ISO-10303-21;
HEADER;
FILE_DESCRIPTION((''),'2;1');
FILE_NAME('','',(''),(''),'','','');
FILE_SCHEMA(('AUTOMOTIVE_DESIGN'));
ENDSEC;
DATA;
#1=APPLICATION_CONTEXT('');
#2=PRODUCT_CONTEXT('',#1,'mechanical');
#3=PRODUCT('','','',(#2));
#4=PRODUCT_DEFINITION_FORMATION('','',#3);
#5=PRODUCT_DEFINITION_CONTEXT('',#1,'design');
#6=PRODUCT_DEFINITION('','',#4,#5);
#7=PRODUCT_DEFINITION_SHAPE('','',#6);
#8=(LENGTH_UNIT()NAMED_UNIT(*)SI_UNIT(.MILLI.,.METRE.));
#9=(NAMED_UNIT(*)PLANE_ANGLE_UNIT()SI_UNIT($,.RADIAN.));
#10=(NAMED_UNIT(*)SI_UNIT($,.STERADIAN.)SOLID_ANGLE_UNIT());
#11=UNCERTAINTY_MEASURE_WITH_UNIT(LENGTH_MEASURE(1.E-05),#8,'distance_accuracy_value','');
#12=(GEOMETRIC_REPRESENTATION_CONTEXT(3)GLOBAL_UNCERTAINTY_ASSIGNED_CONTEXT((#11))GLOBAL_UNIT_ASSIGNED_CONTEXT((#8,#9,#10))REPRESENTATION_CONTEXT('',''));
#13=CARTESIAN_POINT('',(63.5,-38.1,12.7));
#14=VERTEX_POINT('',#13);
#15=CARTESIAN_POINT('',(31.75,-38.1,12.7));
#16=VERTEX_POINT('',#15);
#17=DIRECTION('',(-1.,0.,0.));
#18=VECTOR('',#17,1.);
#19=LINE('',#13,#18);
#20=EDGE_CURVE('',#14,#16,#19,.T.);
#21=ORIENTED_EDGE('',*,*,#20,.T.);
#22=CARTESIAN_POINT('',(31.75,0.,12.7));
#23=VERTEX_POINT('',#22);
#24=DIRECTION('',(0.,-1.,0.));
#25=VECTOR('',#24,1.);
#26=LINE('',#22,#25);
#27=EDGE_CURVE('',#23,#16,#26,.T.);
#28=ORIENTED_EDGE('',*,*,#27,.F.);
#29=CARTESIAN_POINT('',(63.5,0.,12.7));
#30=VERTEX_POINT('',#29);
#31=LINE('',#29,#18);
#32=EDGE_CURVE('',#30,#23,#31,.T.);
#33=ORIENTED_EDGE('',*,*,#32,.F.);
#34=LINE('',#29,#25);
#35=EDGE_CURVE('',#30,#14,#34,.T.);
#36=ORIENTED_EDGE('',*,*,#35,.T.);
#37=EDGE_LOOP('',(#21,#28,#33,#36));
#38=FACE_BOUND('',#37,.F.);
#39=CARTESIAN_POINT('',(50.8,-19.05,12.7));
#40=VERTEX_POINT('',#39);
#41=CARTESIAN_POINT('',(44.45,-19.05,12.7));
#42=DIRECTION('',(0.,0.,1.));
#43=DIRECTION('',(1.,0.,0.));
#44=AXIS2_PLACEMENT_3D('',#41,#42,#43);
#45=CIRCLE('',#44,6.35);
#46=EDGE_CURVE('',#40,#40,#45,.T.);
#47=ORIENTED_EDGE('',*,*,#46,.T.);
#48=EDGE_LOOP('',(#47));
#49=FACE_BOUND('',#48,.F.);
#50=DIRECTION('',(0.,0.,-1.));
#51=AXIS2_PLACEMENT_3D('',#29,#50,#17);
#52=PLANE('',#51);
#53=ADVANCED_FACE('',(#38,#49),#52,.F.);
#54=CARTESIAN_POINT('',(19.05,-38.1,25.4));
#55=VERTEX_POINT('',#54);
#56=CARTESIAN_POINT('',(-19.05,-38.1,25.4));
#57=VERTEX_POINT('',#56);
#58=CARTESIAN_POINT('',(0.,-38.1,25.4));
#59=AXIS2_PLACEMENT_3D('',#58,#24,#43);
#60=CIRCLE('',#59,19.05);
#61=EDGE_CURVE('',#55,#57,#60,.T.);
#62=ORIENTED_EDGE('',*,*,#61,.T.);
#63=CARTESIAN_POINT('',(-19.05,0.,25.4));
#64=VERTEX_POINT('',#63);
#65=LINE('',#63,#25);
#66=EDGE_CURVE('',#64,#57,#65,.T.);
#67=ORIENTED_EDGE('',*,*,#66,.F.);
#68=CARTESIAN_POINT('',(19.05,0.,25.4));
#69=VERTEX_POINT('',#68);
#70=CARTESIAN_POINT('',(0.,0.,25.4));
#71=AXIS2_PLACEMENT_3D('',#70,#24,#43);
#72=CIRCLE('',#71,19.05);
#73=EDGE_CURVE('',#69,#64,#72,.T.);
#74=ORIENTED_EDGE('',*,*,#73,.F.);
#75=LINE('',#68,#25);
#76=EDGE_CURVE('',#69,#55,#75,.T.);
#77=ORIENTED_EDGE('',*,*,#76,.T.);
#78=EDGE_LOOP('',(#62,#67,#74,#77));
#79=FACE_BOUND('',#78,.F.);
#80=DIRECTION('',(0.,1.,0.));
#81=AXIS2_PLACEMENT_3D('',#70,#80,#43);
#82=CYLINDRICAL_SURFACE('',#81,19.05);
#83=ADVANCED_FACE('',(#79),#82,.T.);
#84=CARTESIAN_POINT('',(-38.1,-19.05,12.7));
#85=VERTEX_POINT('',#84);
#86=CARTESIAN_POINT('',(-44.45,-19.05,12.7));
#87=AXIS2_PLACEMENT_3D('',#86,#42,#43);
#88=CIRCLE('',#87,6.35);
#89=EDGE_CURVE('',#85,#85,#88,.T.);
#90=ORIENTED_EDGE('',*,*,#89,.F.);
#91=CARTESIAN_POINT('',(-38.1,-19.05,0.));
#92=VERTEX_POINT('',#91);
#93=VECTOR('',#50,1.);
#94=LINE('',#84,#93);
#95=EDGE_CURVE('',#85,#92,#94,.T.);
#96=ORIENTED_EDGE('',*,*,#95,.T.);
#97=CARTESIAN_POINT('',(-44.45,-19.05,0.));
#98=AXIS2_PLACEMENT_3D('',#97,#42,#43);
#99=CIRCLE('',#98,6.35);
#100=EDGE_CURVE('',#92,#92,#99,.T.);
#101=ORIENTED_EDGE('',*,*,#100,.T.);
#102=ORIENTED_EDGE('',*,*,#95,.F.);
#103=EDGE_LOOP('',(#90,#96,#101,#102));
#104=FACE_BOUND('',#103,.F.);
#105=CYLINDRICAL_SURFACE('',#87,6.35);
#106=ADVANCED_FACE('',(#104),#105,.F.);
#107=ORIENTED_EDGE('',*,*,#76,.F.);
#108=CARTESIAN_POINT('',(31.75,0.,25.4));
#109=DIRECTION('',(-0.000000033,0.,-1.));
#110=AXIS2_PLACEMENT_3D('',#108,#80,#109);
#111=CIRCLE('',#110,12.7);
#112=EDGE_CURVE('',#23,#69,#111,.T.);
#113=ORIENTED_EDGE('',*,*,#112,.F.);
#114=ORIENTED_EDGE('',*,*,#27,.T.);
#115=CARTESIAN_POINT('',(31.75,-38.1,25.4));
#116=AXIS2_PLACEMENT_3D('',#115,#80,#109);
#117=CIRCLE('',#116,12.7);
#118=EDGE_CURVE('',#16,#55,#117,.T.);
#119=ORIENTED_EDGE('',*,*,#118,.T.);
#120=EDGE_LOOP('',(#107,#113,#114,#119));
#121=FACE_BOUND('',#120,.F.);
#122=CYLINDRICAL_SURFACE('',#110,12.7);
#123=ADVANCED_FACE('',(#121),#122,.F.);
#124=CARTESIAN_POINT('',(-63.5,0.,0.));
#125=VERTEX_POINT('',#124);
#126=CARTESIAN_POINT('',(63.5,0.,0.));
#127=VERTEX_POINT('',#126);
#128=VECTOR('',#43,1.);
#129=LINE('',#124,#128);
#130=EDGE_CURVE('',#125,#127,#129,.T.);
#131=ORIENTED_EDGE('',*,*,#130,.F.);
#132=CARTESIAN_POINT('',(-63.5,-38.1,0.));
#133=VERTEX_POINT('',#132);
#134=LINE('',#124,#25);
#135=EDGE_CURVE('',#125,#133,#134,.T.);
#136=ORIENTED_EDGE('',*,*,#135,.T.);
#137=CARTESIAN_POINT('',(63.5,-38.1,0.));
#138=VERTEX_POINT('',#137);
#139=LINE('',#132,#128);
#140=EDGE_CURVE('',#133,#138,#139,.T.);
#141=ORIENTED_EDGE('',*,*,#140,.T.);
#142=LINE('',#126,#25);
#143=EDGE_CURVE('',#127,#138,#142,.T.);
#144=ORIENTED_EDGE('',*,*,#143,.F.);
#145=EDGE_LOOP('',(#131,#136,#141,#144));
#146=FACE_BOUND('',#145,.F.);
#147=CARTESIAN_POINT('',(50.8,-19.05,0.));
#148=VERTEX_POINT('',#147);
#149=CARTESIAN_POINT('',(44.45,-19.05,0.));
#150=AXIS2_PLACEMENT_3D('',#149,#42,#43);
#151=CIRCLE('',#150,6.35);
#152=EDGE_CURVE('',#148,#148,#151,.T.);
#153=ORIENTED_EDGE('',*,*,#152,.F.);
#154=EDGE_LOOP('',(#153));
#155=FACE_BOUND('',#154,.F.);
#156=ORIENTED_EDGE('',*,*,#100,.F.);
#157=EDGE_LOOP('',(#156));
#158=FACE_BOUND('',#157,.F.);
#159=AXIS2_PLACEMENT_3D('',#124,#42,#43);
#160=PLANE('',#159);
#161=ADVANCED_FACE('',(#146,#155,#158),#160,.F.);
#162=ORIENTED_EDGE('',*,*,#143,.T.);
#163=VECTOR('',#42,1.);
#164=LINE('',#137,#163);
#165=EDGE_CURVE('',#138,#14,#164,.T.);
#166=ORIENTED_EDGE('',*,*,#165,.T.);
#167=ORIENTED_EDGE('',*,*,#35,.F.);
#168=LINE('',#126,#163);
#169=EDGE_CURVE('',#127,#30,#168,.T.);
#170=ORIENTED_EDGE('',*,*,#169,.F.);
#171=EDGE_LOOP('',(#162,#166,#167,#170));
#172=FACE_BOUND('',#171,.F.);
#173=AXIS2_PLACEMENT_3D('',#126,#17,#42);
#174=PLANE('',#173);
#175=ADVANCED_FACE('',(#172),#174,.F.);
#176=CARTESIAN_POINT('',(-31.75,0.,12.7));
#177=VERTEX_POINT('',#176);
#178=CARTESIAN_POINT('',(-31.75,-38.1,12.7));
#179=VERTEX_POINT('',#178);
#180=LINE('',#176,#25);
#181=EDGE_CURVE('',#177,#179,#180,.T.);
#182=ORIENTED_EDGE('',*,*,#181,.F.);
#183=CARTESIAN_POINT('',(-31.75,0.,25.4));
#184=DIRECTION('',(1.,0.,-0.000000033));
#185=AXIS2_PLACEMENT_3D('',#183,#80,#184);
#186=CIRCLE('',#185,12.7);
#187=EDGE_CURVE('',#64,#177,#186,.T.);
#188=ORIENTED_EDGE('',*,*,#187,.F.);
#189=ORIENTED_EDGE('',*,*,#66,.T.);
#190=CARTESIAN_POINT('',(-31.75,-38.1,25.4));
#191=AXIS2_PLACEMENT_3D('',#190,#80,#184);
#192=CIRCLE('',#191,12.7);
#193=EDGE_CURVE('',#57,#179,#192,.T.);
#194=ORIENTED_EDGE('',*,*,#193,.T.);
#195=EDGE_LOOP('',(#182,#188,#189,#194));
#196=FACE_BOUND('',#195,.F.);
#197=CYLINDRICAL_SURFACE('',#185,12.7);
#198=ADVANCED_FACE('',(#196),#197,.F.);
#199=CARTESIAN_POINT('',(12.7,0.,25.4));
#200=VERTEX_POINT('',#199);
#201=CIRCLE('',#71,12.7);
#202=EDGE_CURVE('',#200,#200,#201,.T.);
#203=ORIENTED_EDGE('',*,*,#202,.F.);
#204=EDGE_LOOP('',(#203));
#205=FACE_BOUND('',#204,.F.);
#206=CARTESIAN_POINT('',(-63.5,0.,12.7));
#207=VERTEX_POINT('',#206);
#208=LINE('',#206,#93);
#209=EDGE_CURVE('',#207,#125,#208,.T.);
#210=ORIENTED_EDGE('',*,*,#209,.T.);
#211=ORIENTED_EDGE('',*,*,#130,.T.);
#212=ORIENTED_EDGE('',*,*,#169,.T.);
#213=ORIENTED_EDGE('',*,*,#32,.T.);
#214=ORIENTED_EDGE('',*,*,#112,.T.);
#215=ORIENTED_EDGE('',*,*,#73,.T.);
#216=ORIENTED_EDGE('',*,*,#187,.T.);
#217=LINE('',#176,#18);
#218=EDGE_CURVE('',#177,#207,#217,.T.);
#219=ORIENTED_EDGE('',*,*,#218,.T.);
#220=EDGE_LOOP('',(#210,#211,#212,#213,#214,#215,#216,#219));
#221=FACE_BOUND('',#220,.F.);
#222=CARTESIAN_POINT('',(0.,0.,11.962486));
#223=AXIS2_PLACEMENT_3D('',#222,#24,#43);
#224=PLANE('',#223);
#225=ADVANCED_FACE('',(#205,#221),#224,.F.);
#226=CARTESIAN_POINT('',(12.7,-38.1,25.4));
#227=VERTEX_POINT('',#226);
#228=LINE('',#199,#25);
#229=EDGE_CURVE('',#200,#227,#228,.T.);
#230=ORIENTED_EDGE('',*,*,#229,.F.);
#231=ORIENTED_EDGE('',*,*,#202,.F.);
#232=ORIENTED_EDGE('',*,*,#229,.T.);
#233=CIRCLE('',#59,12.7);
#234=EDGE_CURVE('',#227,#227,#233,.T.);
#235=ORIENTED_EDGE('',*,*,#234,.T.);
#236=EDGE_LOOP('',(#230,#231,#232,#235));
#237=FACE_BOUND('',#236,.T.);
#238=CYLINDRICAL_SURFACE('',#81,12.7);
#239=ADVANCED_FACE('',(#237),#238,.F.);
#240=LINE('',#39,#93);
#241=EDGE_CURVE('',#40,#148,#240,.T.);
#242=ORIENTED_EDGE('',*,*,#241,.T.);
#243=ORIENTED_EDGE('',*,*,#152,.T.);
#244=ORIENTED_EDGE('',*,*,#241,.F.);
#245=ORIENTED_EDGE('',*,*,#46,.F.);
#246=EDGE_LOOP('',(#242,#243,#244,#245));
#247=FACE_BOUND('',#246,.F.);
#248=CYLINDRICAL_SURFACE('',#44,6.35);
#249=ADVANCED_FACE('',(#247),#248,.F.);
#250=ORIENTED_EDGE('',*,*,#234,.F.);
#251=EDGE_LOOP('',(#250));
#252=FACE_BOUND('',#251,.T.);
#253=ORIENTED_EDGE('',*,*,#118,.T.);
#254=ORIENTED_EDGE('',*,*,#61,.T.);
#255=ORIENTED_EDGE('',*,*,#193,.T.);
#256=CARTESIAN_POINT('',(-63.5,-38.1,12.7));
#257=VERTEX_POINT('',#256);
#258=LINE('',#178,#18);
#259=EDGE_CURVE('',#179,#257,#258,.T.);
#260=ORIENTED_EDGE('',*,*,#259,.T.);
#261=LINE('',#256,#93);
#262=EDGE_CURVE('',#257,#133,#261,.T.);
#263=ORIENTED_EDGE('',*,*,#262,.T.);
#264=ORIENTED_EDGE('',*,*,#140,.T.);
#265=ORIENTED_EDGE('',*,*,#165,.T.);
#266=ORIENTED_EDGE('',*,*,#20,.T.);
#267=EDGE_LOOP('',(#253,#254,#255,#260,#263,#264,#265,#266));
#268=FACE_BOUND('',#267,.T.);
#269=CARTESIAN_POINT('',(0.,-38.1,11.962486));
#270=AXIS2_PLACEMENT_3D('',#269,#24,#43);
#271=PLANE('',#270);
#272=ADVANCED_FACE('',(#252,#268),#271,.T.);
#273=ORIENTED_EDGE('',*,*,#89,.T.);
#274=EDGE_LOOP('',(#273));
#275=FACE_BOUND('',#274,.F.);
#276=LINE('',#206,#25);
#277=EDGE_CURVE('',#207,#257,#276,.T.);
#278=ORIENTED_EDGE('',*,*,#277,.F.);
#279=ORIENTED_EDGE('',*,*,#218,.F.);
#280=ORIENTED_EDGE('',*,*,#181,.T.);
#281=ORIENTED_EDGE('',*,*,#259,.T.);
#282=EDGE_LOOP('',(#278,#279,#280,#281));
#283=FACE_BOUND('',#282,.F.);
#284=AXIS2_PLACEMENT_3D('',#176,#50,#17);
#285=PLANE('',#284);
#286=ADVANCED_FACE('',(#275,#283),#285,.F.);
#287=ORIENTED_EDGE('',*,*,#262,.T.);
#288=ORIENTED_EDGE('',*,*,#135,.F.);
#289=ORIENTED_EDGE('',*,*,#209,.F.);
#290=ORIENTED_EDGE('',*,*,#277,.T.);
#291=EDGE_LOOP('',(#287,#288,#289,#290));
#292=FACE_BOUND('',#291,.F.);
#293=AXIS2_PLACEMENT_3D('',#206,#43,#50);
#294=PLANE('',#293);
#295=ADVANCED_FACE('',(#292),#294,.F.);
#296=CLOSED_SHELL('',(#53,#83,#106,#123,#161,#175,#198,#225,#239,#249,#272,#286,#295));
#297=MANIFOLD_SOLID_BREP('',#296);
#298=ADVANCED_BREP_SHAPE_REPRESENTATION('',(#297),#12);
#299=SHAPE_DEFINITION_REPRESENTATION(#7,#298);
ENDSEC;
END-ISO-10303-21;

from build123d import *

# Parameters (mm, degrees)
F0_R     = 12.7
F1_DEPTH = 38.1
F2_R     = 6.35
F3_DEPTH = 25.4
F4_R     = 6.35
F5_DEPTH = 25.4


with BuildPart() as f1:
    # F0 (on Front) → F1 (new body)
    with BuildSketch(Plane.XZ):
        with BuildLine():
            Line((-63.5, 0), (0, 0))
            Line((0, 0), (63.5, 0))
            Line((63.5, 0), (63.5, 12.7))
            Line((63.5, 12.7), (31.75, 12.7))
            ThreePointArc((31.75, 12.7), (22.769744, 16.419744), (19.05, 25.4))
            ThreePointArc((19.05, 25.4), (0, 44.45), (-19.05, 25.4))
            ThreePointArc((-19.05, 25.4), (-22.769744, 16.419744), (-31.75, 12.7))
            Line((-31.75, 12.7), (-63.5, 12.7))
            Line((-63.5, 12.7), (-63.5, 0))
        make_face()
        with Locations((0, 25.4)):
            Circle(F0_R, mode=Mode.SUBTRACT)
    extrude(amount=F1_DEPTH)

    # F2 (on face) → F3 (cut)
    with BuildSketch(Plane.XY.offset(12.7)):
        with Locations((44.45, -19.05)):
            Circle(F2_R)
    extrude(amount=-F3_DEPTH, mode=Mode.SUBTRACT)

    # F4 (on face) → F5 (cut)
    with BuildSketch(Plane.XY.offset(12.7)):
        with Locations((-44.45, -19.05)):
            Circle(F4_R)
    extrude(amount=-F5_DEPTH, mode=Mode.SUBTRACT)


solid = f1.part
